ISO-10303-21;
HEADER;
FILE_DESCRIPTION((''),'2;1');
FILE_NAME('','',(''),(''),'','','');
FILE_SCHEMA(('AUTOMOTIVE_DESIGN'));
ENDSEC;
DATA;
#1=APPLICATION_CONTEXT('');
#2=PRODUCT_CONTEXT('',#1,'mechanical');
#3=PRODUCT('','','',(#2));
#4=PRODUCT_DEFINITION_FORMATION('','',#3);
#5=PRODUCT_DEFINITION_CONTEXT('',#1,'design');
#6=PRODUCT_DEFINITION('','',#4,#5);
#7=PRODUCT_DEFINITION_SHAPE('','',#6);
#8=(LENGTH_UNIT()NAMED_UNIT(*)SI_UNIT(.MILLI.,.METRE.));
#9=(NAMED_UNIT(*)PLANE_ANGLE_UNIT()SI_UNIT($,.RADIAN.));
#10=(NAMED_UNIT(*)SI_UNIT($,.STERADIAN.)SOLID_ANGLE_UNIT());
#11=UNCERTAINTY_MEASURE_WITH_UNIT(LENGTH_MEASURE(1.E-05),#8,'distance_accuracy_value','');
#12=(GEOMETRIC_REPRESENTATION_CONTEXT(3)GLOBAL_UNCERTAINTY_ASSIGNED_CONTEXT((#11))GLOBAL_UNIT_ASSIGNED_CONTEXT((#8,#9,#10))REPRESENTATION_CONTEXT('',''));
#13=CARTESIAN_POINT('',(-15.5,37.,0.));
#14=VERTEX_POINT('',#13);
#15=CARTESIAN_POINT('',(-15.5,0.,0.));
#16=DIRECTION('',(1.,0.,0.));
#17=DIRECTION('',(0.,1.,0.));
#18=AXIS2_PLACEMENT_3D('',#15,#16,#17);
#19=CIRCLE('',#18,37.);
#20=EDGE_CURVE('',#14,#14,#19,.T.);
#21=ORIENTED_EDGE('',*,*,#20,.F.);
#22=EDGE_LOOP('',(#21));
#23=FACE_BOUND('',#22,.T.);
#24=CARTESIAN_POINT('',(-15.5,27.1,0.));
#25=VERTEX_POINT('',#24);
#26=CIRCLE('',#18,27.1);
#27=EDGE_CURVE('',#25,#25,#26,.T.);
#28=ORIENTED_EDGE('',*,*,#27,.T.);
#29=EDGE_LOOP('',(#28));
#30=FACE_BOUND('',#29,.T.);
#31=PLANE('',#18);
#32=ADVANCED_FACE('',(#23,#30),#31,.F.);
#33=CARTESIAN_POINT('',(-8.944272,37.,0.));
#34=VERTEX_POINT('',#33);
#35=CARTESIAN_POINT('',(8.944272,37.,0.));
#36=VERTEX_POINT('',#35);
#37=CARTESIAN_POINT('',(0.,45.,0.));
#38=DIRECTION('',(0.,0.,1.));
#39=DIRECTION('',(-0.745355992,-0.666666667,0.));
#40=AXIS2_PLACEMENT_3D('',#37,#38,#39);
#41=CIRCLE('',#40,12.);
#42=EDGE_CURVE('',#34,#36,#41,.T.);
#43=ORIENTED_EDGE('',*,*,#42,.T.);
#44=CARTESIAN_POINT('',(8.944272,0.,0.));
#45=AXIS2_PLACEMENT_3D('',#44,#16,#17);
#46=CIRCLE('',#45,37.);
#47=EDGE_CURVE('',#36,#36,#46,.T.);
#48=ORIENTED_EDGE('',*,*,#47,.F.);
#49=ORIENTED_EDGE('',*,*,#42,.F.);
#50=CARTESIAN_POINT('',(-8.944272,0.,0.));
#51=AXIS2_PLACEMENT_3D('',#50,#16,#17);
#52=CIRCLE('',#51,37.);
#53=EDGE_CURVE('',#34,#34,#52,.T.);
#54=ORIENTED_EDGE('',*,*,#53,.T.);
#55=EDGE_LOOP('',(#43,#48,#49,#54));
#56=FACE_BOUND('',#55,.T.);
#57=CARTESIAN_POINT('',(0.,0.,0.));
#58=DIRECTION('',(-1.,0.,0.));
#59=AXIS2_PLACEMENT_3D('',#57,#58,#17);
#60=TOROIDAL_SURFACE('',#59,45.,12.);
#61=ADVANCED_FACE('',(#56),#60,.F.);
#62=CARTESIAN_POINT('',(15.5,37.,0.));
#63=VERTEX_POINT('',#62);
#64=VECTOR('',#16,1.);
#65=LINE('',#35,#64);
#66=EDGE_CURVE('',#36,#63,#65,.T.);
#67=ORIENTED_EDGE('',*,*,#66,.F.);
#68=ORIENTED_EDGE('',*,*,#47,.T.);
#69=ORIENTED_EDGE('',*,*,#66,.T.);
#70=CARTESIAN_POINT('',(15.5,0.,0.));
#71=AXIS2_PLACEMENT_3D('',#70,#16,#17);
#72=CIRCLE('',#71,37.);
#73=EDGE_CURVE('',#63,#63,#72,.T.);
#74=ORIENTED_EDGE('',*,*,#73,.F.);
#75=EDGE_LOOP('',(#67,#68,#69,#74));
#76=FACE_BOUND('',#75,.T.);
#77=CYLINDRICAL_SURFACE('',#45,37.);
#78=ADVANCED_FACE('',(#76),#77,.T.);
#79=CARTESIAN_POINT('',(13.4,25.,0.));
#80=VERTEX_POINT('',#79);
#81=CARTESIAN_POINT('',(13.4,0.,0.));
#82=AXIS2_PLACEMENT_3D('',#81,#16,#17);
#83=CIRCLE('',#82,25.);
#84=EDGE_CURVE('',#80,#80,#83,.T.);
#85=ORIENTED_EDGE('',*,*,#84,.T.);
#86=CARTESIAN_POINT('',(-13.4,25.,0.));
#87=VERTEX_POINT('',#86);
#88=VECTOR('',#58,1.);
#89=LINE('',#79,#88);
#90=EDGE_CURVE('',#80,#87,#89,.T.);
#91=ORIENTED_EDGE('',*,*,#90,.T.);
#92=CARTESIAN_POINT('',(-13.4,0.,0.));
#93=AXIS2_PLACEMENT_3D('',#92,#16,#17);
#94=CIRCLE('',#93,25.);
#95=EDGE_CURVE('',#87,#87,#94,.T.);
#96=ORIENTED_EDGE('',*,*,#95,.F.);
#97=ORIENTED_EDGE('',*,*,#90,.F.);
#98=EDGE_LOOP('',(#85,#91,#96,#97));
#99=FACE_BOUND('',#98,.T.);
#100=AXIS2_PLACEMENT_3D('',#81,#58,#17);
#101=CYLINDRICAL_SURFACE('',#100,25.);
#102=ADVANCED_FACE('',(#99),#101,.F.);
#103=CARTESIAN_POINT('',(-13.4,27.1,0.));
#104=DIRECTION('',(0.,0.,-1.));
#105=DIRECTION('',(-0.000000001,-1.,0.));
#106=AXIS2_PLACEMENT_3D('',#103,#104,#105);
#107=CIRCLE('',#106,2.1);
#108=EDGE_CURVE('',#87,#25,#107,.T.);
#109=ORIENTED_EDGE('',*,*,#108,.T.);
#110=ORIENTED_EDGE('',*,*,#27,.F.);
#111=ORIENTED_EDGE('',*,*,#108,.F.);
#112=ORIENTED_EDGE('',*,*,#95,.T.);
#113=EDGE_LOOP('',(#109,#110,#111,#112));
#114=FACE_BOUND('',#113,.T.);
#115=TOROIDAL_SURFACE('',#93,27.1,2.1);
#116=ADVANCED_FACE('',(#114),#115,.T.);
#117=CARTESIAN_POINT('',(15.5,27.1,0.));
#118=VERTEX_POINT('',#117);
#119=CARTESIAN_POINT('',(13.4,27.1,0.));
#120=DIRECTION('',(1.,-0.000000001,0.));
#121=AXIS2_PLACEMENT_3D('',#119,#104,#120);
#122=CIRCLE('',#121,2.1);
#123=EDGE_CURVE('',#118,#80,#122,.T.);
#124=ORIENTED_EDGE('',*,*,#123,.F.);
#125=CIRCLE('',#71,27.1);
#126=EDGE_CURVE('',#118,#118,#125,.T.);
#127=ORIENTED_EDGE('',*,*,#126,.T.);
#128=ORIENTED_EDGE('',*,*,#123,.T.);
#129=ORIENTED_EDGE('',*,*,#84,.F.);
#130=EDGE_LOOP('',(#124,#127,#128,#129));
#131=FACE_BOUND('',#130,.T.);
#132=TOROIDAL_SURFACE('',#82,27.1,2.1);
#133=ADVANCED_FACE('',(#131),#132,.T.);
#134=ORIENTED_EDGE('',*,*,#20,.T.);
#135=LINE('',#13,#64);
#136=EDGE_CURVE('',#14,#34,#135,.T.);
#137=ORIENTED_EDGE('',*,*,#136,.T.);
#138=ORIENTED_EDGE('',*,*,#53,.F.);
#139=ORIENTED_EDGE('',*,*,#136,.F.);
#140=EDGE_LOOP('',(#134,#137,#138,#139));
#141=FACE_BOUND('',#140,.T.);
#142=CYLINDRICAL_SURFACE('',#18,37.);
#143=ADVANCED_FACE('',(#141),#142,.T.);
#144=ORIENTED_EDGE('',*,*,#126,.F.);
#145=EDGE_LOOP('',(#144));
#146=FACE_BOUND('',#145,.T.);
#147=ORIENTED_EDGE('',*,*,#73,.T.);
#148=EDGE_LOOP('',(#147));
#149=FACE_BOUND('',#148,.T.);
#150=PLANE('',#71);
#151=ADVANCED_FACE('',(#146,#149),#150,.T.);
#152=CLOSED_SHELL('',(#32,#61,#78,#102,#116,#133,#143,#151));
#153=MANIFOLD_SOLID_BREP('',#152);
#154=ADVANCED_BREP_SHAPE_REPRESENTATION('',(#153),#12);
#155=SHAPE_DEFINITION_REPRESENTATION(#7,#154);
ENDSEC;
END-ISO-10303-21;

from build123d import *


with BuildPart() as part:
    # Sketch1 → Revolve1 (revolve)
    with BuildSketch(Plane.XY):
        with BuildLine():
            Line((-15.5, 37), (-8.94427191, 37))
            ThreePointArc((-8.94427191, 37), (0, 33), (8.94427191, 37))
            Line((8.94427191, 37), (15.5, 37))
            Line((15.5, 37), (15.5, 27.1))
            ThreePointArc((15.5, 27.1), (14.88492424, 25.61507576), (13.4, 25))
            Line((13.4, 25), (-13.4, 25))
            ThreePointArc((-13.4, 25), (-14.88492424, 25.61507576), (-15.5, 27.1))
            Line((-15.5, 27.1), (-15.5, 37))
        make_face()
    revolve(axis=Axis((-23.455193483, 0, 0), (1, 0, 0)))


solid = part.part
